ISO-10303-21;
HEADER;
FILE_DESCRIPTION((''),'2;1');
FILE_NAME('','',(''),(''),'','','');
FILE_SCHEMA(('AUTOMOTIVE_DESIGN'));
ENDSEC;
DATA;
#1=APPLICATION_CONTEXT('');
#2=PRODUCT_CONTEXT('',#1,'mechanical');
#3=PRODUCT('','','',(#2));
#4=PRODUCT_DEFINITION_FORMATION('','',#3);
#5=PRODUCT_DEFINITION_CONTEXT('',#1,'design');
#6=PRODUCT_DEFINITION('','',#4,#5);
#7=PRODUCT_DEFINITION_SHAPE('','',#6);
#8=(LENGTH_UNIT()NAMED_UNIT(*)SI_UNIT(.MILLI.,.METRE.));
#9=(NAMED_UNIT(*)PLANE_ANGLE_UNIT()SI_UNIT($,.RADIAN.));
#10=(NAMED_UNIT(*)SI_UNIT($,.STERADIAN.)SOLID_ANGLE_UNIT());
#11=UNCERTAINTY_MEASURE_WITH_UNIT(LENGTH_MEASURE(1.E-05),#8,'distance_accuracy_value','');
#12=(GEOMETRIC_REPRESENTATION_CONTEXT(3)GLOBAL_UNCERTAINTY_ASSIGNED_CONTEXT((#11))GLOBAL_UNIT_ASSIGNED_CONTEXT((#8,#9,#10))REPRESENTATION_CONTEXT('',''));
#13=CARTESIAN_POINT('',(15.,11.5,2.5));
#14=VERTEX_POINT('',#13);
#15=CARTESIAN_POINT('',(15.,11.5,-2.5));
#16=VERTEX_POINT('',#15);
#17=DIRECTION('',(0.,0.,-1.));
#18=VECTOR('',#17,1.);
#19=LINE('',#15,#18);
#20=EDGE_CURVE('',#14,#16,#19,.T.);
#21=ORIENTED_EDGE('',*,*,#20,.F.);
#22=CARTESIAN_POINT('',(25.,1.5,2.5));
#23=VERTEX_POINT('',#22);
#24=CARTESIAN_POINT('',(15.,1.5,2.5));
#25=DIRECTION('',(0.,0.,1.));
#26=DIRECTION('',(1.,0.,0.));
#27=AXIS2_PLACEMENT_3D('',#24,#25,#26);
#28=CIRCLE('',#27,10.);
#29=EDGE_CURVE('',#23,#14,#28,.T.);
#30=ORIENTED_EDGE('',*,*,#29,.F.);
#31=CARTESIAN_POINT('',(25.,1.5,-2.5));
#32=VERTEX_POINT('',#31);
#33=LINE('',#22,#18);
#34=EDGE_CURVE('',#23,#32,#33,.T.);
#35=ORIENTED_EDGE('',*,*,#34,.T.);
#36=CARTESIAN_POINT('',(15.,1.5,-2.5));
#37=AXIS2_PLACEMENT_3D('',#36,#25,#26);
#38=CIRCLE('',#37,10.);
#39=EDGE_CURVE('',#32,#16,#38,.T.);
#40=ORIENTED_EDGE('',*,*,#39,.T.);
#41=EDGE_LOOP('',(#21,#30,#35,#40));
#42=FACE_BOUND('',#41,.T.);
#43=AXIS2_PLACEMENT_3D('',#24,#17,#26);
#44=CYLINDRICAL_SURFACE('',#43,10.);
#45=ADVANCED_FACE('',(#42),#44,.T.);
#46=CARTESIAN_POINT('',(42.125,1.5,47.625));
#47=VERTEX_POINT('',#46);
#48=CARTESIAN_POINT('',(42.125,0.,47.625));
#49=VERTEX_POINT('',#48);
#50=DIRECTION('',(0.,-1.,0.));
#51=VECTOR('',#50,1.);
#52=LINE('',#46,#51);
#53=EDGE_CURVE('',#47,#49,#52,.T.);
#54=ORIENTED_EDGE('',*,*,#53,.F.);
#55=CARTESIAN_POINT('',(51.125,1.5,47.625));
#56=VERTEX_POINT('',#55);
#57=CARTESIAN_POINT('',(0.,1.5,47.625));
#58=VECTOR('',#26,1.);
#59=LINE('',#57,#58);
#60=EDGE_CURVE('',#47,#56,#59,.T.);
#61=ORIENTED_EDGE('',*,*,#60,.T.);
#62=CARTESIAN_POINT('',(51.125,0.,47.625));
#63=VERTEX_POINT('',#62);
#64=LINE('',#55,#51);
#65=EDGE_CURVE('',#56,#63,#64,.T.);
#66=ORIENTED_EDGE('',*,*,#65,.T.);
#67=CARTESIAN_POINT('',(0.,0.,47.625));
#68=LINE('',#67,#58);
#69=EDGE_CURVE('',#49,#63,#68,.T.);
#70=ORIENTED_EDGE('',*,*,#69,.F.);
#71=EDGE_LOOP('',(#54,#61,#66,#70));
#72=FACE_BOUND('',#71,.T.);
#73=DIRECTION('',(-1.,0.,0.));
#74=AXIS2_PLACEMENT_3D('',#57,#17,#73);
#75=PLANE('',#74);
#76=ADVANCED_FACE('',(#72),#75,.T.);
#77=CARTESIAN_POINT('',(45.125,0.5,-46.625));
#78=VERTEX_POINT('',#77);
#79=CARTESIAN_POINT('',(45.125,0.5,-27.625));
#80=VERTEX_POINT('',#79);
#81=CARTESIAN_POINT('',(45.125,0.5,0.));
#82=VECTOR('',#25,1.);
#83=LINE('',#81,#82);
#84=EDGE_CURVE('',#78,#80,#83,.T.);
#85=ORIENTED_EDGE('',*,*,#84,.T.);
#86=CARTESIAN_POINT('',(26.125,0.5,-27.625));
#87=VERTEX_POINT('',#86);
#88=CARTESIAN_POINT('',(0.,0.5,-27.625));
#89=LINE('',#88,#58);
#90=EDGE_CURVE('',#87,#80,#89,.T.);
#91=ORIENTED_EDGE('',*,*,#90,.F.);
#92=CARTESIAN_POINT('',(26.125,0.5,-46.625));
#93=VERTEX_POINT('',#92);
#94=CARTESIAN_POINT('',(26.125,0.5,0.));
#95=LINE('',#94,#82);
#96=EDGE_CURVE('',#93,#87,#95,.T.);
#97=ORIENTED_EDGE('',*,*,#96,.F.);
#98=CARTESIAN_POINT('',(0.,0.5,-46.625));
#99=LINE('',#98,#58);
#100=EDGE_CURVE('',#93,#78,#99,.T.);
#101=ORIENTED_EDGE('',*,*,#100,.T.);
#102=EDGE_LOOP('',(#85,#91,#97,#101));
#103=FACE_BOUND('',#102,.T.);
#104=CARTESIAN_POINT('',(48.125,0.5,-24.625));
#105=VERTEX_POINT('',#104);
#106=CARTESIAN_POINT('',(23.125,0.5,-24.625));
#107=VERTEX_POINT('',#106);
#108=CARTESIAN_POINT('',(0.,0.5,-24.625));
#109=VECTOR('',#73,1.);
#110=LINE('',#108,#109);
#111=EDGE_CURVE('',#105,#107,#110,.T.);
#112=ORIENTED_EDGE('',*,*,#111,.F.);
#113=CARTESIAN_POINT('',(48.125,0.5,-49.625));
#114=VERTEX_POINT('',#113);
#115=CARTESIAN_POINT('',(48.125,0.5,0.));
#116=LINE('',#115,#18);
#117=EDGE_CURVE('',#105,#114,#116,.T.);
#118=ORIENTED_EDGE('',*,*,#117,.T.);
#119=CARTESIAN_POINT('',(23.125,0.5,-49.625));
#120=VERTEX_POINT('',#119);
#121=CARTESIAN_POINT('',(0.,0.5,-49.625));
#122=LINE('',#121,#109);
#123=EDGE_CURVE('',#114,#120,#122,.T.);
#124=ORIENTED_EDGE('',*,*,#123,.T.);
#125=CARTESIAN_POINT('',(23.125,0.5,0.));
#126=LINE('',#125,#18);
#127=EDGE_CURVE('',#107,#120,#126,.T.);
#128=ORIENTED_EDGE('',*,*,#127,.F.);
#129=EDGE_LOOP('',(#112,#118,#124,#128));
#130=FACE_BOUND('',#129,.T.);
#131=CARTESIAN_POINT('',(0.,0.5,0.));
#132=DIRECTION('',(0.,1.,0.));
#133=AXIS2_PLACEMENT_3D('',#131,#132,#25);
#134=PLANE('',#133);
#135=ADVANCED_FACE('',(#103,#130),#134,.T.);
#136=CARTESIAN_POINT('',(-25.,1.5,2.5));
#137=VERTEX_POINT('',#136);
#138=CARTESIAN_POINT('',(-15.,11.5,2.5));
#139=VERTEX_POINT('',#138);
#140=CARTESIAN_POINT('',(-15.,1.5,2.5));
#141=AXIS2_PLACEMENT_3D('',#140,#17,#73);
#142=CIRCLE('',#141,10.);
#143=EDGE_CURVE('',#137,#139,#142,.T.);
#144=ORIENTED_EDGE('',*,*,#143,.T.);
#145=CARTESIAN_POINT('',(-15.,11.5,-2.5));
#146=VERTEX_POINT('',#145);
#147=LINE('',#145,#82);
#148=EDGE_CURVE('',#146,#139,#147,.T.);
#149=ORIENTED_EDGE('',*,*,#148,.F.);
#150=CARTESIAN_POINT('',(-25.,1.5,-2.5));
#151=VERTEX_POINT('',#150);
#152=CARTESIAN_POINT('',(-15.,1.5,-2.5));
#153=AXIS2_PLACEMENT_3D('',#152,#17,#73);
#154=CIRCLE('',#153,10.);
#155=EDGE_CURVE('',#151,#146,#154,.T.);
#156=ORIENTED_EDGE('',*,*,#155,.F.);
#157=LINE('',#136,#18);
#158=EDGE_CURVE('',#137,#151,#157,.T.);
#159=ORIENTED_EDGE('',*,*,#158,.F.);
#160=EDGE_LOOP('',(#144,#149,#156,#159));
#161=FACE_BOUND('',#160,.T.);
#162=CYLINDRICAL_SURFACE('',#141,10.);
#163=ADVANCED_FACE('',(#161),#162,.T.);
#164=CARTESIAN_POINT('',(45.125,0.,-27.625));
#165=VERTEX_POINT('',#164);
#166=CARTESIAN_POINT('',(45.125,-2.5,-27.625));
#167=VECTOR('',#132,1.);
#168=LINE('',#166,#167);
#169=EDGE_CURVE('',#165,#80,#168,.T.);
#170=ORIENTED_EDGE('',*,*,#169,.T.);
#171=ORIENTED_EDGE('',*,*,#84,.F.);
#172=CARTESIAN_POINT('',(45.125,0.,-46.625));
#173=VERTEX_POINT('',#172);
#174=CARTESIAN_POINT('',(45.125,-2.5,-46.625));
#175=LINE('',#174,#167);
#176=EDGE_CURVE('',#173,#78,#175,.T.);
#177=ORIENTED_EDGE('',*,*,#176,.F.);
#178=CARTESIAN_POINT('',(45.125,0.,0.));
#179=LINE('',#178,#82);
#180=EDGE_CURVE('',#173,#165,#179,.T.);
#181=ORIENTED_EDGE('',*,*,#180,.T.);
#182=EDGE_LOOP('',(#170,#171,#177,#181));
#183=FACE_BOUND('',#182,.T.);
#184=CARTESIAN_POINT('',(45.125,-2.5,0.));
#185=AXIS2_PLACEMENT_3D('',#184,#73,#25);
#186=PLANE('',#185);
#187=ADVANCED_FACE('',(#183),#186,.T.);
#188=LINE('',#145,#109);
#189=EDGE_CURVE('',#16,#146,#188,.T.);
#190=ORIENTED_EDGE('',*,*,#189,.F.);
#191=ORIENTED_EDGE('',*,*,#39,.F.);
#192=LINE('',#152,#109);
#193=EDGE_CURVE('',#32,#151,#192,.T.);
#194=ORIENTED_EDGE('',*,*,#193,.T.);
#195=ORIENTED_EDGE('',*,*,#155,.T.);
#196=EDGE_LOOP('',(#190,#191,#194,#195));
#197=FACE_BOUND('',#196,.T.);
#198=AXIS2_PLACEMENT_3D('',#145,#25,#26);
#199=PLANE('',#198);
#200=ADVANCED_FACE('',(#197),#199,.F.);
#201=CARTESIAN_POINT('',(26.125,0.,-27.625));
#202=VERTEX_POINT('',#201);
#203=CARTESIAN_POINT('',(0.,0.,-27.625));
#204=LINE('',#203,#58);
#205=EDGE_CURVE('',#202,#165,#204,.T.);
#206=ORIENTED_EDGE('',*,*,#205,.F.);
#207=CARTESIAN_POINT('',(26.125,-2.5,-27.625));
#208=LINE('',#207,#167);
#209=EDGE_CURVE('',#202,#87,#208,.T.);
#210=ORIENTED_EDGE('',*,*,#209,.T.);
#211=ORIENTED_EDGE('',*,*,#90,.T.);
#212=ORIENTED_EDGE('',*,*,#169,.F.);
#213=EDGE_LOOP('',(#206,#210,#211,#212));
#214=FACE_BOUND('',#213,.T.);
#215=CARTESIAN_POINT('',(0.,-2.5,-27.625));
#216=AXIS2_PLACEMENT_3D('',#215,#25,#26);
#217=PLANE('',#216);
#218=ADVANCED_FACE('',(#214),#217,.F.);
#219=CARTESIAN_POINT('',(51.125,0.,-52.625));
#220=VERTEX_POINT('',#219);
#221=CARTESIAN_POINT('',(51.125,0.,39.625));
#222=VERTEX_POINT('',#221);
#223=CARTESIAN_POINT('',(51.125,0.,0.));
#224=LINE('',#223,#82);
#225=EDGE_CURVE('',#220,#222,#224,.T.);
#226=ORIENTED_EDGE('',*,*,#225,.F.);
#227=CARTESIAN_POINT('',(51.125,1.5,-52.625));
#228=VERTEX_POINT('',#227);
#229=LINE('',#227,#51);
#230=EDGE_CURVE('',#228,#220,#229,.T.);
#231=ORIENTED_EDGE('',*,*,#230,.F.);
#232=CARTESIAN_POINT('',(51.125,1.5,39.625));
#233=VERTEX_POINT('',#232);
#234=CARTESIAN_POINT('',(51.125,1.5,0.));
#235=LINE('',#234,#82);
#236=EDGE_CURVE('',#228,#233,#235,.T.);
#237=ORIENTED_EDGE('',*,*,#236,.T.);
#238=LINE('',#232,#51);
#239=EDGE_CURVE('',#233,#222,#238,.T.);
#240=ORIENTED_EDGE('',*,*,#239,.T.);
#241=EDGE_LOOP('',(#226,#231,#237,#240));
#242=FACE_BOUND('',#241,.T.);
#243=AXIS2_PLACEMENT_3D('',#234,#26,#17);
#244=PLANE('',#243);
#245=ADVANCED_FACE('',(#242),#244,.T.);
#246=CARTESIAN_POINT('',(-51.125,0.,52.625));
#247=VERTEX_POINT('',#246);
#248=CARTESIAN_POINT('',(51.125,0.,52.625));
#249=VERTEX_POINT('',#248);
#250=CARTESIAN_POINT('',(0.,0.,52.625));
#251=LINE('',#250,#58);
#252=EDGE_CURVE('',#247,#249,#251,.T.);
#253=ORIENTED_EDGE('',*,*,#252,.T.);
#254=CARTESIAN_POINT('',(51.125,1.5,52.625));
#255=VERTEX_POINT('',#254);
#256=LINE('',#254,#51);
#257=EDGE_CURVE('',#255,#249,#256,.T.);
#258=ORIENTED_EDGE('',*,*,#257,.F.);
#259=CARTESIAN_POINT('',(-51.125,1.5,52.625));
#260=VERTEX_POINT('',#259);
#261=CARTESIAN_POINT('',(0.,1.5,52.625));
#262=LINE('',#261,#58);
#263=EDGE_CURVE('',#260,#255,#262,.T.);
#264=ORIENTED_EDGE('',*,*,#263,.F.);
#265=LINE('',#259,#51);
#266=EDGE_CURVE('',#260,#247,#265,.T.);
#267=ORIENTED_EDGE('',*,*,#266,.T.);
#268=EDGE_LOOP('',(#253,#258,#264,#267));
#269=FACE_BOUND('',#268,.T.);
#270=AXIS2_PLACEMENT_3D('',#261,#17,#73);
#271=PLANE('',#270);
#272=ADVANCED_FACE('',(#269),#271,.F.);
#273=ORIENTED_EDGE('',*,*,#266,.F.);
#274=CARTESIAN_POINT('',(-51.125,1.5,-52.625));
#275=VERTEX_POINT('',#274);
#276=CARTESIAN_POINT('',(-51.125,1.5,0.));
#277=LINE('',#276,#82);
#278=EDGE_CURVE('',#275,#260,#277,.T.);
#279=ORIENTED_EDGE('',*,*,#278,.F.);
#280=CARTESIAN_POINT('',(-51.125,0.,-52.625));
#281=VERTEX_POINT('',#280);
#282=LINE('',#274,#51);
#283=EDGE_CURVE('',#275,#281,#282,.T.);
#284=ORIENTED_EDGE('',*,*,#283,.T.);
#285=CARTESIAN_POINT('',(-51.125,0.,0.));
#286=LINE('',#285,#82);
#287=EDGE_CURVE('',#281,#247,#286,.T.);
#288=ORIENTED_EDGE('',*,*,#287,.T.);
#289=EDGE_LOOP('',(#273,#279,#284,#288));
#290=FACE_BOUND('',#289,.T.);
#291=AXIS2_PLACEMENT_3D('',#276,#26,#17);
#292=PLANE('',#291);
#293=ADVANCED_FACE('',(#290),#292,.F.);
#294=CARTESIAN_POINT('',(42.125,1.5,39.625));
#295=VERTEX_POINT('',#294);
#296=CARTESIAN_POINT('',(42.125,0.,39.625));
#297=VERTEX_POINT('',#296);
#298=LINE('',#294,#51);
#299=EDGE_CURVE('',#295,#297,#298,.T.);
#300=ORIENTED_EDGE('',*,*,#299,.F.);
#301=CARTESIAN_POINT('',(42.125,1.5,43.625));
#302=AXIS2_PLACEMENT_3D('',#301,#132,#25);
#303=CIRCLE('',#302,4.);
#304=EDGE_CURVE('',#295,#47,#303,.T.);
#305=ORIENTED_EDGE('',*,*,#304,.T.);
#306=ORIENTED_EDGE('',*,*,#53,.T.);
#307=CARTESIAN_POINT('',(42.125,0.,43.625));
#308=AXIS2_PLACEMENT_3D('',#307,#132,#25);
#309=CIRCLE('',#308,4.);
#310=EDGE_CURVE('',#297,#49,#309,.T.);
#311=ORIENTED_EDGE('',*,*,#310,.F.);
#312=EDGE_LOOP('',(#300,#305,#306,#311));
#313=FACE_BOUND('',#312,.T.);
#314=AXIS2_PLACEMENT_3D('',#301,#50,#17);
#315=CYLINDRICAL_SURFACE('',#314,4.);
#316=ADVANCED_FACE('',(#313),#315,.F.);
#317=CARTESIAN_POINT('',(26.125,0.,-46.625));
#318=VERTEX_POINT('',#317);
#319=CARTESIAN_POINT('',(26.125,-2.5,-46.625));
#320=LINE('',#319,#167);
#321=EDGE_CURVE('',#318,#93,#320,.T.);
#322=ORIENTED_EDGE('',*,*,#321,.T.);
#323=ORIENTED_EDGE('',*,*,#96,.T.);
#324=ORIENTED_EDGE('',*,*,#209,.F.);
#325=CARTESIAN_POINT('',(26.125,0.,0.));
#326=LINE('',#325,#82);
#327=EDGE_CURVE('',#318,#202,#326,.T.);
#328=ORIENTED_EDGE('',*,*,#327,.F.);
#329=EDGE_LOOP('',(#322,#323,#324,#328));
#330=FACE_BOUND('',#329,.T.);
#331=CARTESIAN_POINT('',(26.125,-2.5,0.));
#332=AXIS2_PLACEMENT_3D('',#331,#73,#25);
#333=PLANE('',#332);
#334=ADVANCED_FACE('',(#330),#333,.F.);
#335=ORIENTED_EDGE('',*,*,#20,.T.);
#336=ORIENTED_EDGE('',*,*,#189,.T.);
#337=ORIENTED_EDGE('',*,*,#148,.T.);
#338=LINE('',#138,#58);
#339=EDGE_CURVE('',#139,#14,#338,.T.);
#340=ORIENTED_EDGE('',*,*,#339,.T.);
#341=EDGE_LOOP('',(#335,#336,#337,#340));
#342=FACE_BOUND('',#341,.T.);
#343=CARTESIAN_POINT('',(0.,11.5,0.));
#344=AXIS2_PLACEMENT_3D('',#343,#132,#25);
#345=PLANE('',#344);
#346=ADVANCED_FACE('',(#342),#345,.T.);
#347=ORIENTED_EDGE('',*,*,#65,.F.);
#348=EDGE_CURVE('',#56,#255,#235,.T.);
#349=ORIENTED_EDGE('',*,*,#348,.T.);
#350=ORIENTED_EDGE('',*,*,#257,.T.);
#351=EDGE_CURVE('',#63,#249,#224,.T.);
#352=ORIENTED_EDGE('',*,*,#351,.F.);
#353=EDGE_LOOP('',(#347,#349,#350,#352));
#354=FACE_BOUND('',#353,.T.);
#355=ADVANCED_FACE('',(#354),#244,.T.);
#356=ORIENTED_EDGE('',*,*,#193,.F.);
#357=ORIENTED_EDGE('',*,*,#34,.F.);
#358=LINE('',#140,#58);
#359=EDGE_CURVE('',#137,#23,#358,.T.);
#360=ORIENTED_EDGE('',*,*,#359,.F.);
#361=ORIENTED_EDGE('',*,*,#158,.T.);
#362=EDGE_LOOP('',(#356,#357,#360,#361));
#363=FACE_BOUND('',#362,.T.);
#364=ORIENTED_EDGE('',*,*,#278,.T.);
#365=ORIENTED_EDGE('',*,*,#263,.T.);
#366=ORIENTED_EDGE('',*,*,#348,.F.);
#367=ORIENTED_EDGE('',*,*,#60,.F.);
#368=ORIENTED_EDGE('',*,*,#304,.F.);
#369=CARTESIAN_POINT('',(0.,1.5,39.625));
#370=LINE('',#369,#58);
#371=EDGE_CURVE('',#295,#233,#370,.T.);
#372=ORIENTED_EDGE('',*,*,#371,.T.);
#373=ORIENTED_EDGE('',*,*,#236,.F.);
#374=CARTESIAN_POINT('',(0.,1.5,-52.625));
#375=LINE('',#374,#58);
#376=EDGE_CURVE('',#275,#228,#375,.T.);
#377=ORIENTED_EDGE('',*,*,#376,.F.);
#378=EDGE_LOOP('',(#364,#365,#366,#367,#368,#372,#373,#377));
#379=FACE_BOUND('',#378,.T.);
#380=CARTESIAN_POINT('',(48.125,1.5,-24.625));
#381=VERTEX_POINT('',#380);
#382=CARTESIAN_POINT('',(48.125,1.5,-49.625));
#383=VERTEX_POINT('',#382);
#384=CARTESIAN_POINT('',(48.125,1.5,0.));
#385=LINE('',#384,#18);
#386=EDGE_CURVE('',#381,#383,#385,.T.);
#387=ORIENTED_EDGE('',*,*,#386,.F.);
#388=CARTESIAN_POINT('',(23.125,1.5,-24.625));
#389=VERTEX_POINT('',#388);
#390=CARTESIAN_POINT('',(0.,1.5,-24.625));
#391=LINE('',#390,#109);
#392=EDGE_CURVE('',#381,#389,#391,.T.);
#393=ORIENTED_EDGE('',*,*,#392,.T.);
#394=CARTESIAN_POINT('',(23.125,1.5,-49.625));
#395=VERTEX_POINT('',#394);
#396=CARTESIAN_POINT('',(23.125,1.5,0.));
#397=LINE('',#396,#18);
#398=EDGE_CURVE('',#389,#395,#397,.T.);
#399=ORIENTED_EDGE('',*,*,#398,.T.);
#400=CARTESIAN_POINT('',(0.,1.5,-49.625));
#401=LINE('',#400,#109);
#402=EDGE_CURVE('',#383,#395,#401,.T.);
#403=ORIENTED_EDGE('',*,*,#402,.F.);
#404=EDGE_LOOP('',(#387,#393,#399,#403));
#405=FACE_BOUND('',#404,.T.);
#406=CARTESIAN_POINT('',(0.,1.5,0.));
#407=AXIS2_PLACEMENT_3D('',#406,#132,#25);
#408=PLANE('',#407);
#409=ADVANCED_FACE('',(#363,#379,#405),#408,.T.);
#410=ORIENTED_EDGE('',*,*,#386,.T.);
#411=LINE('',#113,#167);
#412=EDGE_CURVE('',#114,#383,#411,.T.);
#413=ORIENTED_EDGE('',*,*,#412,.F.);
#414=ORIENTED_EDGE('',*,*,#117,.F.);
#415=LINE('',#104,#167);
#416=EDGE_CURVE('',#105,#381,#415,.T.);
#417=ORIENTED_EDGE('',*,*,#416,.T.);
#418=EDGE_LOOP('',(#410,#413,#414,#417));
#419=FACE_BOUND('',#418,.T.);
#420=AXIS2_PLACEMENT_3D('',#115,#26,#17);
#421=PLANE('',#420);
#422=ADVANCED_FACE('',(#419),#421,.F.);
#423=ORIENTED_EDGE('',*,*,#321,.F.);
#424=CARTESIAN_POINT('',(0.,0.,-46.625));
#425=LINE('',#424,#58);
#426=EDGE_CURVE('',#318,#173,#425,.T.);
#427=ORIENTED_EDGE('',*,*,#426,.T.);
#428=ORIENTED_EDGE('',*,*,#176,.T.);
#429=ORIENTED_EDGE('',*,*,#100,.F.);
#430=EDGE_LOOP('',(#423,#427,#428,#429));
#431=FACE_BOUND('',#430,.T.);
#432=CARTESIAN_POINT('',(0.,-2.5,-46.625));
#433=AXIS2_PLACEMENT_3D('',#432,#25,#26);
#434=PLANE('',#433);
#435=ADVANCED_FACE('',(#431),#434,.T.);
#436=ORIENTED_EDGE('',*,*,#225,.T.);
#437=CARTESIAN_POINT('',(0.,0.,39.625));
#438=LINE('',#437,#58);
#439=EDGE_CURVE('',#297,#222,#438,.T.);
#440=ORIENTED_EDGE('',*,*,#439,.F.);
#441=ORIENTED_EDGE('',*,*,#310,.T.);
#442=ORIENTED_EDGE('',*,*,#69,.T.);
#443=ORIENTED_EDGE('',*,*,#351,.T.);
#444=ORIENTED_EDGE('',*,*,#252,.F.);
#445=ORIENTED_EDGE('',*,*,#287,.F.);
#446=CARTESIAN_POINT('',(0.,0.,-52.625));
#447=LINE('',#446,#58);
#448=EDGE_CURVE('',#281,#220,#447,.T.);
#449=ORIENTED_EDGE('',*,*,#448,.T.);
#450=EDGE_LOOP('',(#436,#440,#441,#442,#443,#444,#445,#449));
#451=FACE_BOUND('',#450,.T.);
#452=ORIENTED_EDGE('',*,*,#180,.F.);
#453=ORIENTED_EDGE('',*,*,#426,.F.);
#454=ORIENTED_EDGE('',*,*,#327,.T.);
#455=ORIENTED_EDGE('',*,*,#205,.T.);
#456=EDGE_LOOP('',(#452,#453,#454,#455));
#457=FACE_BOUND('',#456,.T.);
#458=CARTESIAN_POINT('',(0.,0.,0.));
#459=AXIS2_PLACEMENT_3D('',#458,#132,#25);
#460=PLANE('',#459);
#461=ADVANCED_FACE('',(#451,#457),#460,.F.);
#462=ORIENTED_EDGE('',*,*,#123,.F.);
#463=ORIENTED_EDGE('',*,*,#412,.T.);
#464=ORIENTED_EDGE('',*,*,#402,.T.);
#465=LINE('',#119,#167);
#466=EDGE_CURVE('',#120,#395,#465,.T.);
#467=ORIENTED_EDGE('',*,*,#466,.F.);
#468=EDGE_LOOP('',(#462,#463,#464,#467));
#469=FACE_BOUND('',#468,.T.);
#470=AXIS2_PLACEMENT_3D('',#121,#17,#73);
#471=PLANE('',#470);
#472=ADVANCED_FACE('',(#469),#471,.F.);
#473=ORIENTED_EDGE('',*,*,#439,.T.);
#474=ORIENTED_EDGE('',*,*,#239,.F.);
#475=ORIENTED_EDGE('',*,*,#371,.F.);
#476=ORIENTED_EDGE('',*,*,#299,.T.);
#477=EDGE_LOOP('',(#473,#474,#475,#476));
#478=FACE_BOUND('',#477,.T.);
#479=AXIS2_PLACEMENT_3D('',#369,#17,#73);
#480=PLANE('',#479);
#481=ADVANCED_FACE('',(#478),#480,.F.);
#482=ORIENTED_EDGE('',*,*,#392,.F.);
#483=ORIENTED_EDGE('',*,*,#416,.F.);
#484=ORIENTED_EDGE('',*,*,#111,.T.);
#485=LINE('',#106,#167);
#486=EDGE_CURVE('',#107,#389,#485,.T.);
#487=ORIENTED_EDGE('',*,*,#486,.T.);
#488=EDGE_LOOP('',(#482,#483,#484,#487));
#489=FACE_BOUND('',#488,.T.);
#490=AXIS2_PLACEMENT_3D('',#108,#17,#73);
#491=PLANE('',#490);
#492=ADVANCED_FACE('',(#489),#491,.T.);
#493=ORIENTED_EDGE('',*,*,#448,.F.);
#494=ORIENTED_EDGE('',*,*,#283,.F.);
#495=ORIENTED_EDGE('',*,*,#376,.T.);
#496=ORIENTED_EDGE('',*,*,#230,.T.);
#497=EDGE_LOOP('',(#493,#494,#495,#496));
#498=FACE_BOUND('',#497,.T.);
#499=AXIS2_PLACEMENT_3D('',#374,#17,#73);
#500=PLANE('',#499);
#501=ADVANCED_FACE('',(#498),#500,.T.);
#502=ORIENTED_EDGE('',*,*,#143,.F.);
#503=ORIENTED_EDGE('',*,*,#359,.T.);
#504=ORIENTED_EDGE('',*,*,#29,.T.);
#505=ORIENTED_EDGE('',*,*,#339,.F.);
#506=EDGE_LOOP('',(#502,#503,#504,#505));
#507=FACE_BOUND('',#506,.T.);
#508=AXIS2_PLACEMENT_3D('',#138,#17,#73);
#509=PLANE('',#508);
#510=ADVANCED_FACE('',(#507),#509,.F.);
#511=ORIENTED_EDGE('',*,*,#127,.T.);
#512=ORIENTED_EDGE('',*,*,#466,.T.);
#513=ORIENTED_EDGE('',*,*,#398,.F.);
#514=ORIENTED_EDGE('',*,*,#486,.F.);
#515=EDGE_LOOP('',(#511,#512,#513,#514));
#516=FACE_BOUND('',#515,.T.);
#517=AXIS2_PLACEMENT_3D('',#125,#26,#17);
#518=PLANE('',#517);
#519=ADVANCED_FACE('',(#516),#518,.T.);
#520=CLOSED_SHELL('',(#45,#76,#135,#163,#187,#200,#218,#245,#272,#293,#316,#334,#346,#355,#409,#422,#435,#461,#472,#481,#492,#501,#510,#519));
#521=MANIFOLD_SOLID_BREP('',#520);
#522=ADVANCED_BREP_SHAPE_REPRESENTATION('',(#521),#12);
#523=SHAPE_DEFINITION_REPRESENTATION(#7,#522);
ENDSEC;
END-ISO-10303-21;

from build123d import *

# Parameters (mm, degrees)
BOSS_EXTRUDE1_DEPTH = 1.5
SKETCH2_W           = 30
SKETCH2_H           = 5
BOSS_EXTRUDE2_DEPTH = 10
SKETCH3_W           = 10
SKETCH3_H           = 5
REVOLVE_THIN1_ANGLE = 180
SKETCH5_W           = 25
SKETCH5_H           = 25
CUT_EXTRUDE1_DEPTH  = 1
SKETCH6_W           = 19
SKETCH6_H           = 19
CUT_EXTRUDE2_DEPTH  = 3


with BuildPart() as part:
    # Sketch1 → Boss-Extrude1 (new body)
    with BuildSketch(Plane(origin=(0, 0, 0), x_dir=(1, 0, 0), z_dir=(0, 1, 0))):
        with BuildLine():
            ThreePointArc((42.125, -47.625), (38.125, -43.625), (42.125, -39.625))
            Line((42.125, -39.625), (51.125, -39.625))
            Line((51.125, -39.625), (51.125, 52.625))
            Line((51.125, 52.625), (-51.125, 52.625))
            Line((-51.125, 52.625), (-51.125, -52.625))
            Line((-51.125, -52.625), (51.125, -52.625))
            Line((51.125, -52.625), (51.125, -47.625))
            Line((51.125, -47.625), (42.125, -47.625))
        make_face()
    extrude(amount=BOSS_EXTRUDE1_DEPTH)

    # Sketch2 → Boss-Extrude2 (add)
    with BuildSketch(Plane(origin=(0, 1.5, 0), x_dir=(1, 0, 0), z_dir=(0, 1, 0))):
        Rectangle(SKETCH2_W, SKETCH2_H)
    extrude(amount=BOSS_EXTRUDE2_DEPTH)

    # Sketch3 → Revolve-Thin1 (revolve)
    with BuildSketch(Plane(origin=(0, 1.5, 0), x_dir=(1, 0, 0), z_dir=(0, 1, 0))):
        with Locations((-20, 0)):
            Rectangle(SKETCH3_W, SKETCH3_H)
    revolve_thin1 = revolve(axis=Axis((-15, 1.5, 2.5), (0, 0, -1)), revolution_arc=REVOLVE_THIN1_ANGLE)

    # Mirror1: Revolve-Thin1 across plane
    add(revolve_thin1.mirror(Plane(origin=(0, 0, 0), x_dir=(0, 0, 1), z_dir=(1, 0, 0))))

    # Sketch5 → Cut-Extrude1 (cut)
    with BuildSketch(Plane(origin=(0, 1.5, 0), x_dir=(1, 0, 0), z_dir=(0, 1, 0))):
        with Locations((35.625, 37.125)):
            Rectangle(SKETCH5_W, SKETCH5_H)
    extrude(amount=-CUT_EXTRUDE1_DEPTH, mode=Mode.SUBTRACT)

    # Sketch6 → Cut-Extrude2 (cut)
    with BuildSketch(Plane(origin=(0, 0.5, 0), x_dir=(1, 0, 0), z_dir=(0, 1, 0))):
        with Locations((35.625, 37.125)):
            Rectangle(SKETCH6_W, SKETCH6_H)
    extrude(amount=-CUT_EXTRUDE2_DEPTH, mode=Mode.SUBTRACT)


solid = part.part
